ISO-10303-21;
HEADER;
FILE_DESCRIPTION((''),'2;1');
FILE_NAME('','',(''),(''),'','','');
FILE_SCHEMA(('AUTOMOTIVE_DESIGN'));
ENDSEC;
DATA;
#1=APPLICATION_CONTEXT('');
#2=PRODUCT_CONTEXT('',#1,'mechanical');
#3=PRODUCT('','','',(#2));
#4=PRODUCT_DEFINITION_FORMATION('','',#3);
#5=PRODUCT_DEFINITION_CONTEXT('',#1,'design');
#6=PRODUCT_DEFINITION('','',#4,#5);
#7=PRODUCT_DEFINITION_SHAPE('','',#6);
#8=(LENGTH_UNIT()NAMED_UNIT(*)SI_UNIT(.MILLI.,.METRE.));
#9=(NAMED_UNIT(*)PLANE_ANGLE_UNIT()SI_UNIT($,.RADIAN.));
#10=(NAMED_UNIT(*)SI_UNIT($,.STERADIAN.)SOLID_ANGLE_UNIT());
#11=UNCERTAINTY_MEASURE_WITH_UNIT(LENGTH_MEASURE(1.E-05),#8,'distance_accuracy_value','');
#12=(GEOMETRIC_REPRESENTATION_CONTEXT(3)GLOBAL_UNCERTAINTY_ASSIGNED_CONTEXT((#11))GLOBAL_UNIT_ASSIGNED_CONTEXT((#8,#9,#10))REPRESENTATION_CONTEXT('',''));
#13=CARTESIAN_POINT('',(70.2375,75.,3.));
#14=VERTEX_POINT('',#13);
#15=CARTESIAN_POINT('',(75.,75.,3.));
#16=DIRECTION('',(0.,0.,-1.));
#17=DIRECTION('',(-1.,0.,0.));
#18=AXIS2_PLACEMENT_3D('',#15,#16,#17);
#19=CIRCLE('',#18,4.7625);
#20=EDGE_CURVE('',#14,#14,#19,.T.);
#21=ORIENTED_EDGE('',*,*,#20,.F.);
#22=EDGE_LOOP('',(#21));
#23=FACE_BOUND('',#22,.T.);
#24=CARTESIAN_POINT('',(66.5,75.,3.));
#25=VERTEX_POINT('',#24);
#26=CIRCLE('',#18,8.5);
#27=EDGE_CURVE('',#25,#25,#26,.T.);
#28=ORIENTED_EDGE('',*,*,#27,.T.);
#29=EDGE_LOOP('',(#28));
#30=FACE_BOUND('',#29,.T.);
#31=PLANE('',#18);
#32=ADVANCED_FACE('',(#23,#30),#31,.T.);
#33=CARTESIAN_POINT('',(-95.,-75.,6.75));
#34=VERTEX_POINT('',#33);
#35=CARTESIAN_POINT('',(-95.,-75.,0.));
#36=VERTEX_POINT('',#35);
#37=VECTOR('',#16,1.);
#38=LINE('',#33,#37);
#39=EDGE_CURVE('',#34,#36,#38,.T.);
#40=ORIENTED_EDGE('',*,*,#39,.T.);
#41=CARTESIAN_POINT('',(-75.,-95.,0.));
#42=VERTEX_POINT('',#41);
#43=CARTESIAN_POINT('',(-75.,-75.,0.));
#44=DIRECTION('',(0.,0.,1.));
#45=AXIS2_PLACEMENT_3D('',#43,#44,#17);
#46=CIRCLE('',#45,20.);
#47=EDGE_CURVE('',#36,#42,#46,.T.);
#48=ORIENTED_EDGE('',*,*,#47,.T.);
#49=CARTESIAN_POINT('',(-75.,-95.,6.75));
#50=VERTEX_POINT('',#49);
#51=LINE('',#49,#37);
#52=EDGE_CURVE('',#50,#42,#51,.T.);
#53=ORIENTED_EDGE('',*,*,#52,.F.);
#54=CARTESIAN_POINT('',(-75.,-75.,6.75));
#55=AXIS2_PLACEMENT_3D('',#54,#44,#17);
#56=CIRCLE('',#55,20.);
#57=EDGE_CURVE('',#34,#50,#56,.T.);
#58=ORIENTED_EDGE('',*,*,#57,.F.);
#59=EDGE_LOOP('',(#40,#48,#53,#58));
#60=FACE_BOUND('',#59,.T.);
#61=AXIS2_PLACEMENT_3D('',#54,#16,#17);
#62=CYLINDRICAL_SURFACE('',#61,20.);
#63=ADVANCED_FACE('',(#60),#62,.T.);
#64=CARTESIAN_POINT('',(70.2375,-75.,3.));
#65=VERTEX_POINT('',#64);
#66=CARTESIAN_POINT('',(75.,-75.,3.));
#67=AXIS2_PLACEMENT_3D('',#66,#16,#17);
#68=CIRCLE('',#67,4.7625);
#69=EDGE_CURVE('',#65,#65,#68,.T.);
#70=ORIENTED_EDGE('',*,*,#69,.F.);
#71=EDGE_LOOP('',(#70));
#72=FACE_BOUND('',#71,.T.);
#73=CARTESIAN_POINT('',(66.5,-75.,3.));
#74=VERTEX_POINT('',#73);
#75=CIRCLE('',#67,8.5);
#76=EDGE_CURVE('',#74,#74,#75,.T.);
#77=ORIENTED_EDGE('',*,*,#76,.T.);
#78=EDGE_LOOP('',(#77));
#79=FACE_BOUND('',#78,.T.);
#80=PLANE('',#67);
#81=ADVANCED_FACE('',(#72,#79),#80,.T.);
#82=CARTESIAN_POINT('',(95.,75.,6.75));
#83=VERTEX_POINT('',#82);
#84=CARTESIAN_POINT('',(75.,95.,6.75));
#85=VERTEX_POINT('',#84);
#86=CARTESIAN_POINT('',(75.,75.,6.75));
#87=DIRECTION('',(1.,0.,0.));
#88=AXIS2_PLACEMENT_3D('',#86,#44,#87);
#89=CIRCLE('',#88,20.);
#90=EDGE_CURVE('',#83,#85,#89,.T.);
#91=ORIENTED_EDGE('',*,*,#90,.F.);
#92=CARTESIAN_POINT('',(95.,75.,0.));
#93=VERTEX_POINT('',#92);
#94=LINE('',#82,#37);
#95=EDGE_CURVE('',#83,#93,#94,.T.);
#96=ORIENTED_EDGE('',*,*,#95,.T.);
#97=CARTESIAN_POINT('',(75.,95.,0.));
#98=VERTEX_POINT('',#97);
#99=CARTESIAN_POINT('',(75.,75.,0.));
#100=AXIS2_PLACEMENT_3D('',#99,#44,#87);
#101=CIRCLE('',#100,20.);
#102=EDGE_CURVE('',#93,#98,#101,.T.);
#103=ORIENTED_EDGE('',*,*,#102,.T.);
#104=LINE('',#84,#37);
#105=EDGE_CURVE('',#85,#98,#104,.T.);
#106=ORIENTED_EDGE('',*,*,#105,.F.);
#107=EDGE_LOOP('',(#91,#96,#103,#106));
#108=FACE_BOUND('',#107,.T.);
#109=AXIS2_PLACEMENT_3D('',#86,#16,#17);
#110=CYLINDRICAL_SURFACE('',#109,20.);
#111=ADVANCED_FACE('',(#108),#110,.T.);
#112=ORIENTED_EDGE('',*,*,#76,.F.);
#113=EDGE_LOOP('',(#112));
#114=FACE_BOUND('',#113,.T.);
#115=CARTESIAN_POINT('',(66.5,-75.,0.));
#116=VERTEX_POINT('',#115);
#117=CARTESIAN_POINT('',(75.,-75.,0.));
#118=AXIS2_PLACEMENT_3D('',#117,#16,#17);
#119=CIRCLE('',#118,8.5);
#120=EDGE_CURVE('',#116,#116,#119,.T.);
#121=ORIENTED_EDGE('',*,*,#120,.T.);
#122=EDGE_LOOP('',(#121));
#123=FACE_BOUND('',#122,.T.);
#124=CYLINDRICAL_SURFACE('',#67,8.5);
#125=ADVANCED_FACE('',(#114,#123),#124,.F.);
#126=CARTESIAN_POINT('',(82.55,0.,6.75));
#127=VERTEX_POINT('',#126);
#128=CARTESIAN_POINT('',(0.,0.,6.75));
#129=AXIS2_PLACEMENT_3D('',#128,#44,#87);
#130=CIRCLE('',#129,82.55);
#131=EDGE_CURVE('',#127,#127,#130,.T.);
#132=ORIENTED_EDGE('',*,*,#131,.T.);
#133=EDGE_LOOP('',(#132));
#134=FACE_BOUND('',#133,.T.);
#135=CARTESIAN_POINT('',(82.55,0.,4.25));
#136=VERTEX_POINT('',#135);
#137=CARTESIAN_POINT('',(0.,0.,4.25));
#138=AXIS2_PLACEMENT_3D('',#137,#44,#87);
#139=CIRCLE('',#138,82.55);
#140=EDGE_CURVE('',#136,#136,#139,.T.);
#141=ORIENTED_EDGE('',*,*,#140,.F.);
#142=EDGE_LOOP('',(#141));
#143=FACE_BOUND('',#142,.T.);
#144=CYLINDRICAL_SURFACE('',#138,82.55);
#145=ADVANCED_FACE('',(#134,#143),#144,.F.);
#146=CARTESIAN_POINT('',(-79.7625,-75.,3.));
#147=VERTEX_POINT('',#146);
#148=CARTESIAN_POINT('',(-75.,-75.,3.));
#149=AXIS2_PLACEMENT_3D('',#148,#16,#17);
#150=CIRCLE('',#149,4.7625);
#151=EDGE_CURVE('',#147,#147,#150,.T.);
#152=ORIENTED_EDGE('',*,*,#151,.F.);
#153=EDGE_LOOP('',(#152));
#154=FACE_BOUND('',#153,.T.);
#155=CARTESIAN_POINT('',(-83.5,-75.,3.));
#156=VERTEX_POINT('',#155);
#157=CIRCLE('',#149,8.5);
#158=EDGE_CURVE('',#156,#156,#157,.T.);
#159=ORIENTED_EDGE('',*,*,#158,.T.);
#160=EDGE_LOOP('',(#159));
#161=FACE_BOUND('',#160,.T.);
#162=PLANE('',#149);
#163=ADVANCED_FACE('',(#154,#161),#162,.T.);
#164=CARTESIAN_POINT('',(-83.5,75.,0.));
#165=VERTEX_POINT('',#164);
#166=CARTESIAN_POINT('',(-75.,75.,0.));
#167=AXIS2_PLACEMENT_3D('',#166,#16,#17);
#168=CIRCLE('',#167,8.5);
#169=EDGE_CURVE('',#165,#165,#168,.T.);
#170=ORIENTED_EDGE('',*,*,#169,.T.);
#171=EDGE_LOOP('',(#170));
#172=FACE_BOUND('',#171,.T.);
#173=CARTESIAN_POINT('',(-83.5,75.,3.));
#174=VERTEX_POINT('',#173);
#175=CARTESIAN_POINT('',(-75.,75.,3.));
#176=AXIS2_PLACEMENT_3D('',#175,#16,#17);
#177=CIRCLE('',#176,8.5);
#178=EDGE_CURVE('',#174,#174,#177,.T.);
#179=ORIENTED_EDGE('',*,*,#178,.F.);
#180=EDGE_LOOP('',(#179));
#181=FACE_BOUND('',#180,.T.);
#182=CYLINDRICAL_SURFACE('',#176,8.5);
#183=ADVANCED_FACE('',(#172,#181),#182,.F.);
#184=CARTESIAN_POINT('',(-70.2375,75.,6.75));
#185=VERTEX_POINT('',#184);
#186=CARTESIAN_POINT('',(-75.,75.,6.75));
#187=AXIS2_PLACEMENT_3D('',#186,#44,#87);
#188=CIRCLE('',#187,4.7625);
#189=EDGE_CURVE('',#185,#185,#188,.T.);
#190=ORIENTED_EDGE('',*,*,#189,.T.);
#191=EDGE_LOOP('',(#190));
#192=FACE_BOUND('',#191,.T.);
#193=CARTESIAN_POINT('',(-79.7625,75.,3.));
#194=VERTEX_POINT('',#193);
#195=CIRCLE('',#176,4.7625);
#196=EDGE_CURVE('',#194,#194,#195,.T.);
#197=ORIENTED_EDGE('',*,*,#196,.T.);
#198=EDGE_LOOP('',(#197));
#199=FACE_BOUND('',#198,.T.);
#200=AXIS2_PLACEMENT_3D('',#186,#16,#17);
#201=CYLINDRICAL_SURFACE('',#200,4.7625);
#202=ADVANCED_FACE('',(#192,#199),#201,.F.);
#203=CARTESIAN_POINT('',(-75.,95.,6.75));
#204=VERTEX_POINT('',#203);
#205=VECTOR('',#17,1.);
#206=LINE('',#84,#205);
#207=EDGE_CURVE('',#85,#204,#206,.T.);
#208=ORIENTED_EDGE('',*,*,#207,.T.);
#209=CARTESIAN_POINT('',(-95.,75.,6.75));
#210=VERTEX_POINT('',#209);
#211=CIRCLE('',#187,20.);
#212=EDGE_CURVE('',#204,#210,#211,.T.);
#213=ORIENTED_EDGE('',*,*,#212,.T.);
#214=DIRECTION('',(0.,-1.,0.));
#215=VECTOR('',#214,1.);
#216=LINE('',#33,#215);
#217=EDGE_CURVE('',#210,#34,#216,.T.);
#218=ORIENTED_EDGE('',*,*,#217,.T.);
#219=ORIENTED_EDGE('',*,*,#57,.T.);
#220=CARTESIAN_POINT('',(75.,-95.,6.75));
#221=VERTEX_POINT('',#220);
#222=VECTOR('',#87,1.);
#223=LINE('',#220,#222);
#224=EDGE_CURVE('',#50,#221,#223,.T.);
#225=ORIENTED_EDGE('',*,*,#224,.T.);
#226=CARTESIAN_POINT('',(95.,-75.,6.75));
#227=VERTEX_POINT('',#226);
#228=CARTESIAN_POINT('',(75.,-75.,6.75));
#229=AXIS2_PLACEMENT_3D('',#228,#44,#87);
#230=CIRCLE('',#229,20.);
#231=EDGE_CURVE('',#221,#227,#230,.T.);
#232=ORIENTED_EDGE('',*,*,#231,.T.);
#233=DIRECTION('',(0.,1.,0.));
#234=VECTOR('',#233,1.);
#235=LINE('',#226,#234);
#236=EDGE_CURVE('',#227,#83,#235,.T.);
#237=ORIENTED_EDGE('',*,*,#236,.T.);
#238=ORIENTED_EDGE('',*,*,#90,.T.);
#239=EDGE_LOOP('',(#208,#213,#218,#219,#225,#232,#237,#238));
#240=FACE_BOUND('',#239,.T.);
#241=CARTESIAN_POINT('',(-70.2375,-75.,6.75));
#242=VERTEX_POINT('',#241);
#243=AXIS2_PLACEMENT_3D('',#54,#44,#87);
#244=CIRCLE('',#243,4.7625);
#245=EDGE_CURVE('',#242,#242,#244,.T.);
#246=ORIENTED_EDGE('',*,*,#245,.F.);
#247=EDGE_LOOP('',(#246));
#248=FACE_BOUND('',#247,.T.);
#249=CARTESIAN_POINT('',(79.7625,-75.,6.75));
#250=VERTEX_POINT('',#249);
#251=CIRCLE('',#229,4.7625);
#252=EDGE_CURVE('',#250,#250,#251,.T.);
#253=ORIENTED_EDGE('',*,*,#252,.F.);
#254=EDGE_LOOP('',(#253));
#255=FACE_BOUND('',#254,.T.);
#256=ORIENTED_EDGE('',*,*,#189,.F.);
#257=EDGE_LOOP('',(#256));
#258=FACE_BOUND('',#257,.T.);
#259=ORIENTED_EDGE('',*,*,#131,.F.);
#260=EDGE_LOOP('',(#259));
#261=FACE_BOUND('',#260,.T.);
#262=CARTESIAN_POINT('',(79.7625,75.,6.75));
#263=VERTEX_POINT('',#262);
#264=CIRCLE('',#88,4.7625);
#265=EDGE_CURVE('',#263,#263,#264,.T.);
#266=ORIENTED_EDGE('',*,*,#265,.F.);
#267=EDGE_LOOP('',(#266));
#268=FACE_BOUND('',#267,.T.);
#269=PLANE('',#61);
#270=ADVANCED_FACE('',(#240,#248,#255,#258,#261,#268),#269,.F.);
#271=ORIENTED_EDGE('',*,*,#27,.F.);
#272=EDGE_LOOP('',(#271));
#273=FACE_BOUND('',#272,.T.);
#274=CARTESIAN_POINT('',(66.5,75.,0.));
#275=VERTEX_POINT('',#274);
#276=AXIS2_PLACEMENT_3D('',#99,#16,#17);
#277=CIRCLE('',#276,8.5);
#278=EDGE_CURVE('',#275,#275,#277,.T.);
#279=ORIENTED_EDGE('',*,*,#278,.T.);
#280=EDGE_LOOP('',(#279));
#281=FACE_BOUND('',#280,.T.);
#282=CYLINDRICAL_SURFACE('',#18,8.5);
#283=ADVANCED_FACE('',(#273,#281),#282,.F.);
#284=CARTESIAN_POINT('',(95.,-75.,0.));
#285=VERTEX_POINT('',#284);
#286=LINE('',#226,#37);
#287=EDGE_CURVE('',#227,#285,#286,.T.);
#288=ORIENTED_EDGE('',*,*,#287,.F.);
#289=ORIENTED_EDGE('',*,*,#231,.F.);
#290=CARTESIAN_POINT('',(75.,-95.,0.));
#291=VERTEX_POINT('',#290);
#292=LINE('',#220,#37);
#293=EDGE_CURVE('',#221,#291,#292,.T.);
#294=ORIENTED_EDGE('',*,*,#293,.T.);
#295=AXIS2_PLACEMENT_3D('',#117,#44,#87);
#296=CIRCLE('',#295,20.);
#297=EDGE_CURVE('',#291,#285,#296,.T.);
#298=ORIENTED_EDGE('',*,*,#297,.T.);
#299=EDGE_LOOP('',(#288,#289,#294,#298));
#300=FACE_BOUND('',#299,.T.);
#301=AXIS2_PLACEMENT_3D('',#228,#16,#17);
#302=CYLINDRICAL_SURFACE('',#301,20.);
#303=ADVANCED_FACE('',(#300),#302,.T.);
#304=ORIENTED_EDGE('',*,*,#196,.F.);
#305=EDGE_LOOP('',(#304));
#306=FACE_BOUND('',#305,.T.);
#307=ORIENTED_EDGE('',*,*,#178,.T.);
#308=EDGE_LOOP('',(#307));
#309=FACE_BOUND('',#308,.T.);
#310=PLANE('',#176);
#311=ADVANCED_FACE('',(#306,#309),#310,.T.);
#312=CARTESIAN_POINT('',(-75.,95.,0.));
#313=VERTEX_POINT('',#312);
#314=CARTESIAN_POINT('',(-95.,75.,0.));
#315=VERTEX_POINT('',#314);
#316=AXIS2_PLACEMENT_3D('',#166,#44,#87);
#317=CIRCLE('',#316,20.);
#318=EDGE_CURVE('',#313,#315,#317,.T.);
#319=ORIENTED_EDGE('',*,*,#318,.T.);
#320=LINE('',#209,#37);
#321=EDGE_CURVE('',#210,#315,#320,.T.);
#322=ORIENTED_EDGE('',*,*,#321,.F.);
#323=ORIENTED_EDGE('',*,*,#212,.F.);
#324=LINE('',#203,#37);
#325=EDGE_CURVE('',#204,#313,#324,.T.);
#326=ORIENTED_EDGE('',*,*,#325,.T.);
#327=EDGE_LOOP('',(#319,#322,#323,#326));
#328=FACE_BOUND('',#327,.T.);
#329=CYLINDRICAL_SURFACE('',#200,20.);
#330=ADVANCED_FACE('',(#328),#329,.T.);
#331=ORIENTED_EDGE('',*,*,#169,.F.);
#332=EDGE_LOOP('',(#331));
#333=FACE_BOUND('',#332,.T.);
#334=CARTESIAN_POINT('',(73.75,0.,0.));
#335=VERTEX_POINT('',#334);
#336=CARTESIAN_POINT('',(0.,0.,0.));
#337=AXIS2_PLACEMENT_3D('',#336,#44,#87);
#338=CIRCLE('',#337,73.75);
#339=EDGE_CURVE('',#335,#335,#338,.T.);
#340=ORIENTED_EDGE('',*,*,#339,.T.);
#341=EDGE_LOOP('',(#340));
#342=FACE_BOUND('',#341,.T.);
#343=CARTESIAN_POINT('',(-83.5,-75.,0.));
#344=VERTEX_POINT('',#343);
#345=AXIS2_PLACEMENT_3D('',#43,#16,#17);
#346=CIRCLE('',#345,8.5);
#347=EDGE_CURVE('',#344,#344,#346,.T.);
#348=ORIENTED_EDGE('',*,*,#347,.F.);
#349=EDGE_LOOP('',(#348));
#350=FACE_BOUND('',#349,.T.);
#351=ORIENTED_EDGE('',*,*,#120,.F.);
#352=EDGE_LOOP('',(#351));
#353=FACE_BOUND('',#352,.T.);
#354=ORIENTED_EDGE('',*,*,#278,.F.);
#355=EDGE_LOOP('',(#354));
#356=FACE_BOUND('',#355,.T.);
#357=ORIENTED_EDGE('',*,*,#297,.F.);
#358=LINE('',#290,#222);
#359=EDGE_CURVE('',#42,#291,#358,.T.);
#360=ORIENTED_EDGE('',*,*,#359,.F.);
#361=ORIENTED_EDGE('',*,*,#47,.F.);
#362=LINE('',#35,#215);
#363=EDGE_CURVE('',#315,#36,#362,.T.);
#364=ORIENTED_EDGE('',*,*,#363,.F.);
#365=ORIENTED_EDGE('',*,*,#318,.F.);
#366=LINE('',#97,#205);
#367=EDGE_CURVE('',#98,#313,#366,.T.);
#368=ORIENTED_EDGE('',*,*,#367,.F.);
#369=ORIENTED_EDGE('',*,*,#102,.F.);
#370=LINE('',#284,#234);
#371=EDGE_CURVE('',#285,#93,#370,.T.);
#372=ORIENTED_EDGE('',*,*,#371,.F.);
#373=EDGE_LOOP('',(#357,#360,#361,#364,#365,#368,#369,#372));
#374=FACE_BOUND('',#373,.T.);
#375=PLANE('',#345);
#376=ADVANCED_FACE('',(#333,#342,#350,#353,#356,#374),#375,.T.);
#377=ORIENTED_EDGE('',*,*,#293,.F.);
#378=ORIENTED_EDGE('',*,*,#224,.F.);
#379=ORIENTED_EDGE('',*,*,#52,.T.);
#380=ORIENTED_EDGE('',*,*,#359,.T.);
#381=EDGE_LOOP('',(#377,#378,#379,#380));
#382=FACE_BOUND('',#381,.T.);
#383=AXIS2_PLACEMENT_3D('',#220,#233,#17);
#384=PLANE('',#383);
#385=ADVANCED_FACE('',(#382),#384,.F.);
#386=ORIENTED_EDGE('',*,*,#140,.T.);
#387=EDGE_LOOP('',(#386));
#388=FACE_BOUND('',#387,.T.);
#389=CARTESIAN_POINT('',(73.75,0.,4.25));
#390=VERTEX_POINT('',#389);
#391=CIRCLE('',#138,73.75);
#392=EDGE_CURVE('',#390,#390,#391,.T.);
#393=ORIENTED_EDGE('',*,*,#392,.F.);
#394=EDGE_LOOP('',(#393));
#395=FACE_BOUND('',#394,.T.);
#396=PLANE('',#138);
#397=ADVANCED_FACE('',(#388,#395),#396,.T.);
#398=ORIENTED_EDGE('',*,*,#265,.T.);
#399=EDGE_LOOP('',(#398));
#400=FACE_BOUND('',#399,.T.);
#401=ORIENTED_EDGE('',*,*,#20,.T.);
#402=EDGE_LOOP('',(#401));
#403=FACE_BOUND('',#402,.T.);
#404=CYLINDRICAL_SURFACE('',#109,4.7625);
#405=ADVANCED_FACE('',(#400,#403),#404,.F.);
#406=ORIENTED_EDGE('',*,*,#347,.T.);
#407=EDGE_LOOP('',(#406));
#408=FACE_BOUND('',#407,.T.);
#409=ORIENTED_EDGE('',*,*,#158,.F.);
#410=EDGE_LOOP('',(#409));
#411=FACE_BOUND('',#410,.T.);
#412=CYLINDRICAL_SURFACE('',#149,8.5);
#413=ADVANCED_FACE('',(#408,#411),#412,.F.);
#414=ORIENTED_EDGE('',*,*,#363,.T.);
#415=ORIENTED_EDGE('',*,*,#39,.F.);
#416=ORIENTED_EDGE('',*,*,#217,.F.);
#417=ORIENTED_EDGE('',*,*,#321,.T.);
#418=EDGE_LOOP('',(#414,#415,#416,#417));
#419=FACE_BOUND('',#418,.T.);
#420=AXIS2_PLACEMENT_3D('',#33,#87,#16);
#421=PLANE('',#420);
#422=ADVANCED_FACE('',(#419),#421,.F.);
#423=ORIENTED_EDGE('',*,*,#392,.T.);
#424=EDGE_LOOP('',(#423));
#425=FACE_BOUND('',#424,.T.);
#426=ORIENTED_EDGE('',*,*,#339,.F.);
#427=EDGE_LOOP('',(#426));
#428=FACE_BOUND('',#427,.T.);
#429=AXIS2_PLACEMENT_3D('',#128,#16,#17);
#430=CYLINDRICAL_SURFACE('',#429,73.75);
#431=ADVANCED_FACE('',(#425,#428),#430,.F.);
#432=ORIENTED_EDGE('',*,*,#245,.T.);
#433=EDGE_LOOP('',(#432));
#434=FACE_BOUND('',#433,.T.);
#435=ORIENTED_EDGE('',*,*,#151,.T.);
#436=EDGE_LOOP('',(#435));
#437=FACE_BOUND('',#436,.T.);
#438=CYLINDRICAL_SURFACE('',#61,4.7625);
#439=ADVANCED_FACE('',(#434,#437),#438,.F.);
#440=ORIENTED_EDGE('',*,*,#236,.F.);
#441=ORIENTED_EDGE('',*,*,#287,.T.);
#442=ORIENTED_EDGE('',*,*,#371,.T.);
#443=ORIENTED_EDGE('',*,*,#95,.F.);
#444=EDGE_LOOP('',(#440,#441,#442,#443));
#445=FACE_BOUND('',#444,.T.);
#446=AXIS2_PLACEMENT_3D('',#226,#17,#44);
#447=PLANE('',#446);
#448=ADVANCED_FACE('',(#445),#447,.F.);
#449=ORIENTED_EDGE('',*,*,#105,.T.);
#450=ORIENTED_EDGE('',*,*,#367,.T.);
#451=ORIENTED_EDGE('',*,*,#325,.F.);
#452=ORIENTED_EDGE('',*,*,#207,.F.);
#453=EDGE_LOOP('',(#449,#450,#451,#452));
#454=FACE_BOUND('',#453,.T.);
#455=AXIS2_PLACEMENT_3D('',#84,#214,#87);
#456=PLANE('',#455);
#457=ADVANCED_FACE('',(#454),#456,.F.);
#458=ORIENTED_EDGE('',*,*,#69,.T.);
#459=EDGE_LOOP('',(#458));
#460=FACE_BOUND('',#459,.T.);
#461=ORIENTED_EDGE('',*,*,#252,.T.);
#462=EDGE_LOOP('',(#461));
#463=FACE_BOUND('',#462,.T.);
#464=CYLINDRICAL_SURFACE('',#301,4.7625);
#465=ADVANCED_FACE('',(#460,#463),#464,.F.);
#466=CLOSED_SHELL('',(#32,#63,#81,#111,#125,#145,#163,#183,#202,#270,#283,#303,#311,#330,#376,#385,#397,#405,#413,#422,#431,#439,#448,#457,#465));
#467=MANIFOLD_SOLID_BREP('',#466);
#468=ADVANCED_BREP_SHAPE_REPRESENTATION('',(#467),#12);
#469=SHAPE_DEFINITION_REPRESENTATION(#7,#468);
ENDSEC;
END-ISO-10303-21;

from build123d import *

# Parameters (mm, degrees)
SKETCH1_R           = 73.75
SKETCH1_R_2         = 4.7625
BOSS_EXTRUDE1_DEPTH = 6.75
SKETCH2_R           = 8.5
CUT_EXTRUDE1_DEPTH  = 3
SKETCH3_R           = 82.55
CUT_EXTRUDE2_DEPTH  = 2.5


with BuildPart() as part:
    # Sketch1 → Boss-Extrude1 (new body)
    with BuildSketch(Plane.XY):
        with BuildLine():
            Line((75, -95), (-75, -95))
            ThreePointArc((-75, -95), (-89.142135624, -89.142135624), (-95, -75))
            Line((-95, -75), (-95, 75))
            ThreePointArc((-95, 75), (-89.142135624, 89.142135624), (-75, 95))
            Line((-75, 95), (75, 95))
            ThreePointArc((75, 95), (89.142135624, 89.142135624), (95, 75))
            Line((95, 75), (95, -75))
            ThreePointArc((95, -75), (89.142135624, -89.142135624), (75, -95))
        make_face()
        Circle(SKETCH1_R, mode=Mode.SUBTRACT)
        with Locations((-75, 75)):
            Circle(SKETCH1_R_2, mode=Mode.SUBTRACT)
        with Locations((75, 75)):
            Circle(SKETCH1_R_2, mode=Mode.SUBTRACT)
        with Locations((75, -75)):
            Circle(SKETCH1_R_2, mode=Mode.SUBTRACT)
        with Locations((-75, -75)):
            Circle(SKETCH1_R_2, mode=Mode.SUBTRACT)
    extrude(amount=BOSS_EXTRUDE1_DEPTH)

    # Sketch2 → Cut-Extrude1 (cut)
    with BuildSketch(Plane(origin=(0, 0, 0), x_dir=(-1, 0, 0), z_dir=(0, 0, -1))):
        with Locations((-75, 75)):
            Circle(SKETCH2_R)
        with Locations((75, 75)):
            Circle(SKETCH2_R)
        with Locations((75, -75)):
            Circle(SKETCH2_R)
        with Locations((-75, -75)):
            Circle(SKETCH2_R)
    extrude(amount=-CUT_EXTRUDE1_DEPTH, mode=Mode.SUBTRACT)

    # Sketch3 → Cut-Extrude2 (cut)
    with BuildSketch(Plane.XY.offset(6.75)):
        Circle(SKETCH3_R)
    extrude(amount=-CUT_EXTRUDE2_DEPTH, mode=Mode.SUBTRACT)


solid = part.part
